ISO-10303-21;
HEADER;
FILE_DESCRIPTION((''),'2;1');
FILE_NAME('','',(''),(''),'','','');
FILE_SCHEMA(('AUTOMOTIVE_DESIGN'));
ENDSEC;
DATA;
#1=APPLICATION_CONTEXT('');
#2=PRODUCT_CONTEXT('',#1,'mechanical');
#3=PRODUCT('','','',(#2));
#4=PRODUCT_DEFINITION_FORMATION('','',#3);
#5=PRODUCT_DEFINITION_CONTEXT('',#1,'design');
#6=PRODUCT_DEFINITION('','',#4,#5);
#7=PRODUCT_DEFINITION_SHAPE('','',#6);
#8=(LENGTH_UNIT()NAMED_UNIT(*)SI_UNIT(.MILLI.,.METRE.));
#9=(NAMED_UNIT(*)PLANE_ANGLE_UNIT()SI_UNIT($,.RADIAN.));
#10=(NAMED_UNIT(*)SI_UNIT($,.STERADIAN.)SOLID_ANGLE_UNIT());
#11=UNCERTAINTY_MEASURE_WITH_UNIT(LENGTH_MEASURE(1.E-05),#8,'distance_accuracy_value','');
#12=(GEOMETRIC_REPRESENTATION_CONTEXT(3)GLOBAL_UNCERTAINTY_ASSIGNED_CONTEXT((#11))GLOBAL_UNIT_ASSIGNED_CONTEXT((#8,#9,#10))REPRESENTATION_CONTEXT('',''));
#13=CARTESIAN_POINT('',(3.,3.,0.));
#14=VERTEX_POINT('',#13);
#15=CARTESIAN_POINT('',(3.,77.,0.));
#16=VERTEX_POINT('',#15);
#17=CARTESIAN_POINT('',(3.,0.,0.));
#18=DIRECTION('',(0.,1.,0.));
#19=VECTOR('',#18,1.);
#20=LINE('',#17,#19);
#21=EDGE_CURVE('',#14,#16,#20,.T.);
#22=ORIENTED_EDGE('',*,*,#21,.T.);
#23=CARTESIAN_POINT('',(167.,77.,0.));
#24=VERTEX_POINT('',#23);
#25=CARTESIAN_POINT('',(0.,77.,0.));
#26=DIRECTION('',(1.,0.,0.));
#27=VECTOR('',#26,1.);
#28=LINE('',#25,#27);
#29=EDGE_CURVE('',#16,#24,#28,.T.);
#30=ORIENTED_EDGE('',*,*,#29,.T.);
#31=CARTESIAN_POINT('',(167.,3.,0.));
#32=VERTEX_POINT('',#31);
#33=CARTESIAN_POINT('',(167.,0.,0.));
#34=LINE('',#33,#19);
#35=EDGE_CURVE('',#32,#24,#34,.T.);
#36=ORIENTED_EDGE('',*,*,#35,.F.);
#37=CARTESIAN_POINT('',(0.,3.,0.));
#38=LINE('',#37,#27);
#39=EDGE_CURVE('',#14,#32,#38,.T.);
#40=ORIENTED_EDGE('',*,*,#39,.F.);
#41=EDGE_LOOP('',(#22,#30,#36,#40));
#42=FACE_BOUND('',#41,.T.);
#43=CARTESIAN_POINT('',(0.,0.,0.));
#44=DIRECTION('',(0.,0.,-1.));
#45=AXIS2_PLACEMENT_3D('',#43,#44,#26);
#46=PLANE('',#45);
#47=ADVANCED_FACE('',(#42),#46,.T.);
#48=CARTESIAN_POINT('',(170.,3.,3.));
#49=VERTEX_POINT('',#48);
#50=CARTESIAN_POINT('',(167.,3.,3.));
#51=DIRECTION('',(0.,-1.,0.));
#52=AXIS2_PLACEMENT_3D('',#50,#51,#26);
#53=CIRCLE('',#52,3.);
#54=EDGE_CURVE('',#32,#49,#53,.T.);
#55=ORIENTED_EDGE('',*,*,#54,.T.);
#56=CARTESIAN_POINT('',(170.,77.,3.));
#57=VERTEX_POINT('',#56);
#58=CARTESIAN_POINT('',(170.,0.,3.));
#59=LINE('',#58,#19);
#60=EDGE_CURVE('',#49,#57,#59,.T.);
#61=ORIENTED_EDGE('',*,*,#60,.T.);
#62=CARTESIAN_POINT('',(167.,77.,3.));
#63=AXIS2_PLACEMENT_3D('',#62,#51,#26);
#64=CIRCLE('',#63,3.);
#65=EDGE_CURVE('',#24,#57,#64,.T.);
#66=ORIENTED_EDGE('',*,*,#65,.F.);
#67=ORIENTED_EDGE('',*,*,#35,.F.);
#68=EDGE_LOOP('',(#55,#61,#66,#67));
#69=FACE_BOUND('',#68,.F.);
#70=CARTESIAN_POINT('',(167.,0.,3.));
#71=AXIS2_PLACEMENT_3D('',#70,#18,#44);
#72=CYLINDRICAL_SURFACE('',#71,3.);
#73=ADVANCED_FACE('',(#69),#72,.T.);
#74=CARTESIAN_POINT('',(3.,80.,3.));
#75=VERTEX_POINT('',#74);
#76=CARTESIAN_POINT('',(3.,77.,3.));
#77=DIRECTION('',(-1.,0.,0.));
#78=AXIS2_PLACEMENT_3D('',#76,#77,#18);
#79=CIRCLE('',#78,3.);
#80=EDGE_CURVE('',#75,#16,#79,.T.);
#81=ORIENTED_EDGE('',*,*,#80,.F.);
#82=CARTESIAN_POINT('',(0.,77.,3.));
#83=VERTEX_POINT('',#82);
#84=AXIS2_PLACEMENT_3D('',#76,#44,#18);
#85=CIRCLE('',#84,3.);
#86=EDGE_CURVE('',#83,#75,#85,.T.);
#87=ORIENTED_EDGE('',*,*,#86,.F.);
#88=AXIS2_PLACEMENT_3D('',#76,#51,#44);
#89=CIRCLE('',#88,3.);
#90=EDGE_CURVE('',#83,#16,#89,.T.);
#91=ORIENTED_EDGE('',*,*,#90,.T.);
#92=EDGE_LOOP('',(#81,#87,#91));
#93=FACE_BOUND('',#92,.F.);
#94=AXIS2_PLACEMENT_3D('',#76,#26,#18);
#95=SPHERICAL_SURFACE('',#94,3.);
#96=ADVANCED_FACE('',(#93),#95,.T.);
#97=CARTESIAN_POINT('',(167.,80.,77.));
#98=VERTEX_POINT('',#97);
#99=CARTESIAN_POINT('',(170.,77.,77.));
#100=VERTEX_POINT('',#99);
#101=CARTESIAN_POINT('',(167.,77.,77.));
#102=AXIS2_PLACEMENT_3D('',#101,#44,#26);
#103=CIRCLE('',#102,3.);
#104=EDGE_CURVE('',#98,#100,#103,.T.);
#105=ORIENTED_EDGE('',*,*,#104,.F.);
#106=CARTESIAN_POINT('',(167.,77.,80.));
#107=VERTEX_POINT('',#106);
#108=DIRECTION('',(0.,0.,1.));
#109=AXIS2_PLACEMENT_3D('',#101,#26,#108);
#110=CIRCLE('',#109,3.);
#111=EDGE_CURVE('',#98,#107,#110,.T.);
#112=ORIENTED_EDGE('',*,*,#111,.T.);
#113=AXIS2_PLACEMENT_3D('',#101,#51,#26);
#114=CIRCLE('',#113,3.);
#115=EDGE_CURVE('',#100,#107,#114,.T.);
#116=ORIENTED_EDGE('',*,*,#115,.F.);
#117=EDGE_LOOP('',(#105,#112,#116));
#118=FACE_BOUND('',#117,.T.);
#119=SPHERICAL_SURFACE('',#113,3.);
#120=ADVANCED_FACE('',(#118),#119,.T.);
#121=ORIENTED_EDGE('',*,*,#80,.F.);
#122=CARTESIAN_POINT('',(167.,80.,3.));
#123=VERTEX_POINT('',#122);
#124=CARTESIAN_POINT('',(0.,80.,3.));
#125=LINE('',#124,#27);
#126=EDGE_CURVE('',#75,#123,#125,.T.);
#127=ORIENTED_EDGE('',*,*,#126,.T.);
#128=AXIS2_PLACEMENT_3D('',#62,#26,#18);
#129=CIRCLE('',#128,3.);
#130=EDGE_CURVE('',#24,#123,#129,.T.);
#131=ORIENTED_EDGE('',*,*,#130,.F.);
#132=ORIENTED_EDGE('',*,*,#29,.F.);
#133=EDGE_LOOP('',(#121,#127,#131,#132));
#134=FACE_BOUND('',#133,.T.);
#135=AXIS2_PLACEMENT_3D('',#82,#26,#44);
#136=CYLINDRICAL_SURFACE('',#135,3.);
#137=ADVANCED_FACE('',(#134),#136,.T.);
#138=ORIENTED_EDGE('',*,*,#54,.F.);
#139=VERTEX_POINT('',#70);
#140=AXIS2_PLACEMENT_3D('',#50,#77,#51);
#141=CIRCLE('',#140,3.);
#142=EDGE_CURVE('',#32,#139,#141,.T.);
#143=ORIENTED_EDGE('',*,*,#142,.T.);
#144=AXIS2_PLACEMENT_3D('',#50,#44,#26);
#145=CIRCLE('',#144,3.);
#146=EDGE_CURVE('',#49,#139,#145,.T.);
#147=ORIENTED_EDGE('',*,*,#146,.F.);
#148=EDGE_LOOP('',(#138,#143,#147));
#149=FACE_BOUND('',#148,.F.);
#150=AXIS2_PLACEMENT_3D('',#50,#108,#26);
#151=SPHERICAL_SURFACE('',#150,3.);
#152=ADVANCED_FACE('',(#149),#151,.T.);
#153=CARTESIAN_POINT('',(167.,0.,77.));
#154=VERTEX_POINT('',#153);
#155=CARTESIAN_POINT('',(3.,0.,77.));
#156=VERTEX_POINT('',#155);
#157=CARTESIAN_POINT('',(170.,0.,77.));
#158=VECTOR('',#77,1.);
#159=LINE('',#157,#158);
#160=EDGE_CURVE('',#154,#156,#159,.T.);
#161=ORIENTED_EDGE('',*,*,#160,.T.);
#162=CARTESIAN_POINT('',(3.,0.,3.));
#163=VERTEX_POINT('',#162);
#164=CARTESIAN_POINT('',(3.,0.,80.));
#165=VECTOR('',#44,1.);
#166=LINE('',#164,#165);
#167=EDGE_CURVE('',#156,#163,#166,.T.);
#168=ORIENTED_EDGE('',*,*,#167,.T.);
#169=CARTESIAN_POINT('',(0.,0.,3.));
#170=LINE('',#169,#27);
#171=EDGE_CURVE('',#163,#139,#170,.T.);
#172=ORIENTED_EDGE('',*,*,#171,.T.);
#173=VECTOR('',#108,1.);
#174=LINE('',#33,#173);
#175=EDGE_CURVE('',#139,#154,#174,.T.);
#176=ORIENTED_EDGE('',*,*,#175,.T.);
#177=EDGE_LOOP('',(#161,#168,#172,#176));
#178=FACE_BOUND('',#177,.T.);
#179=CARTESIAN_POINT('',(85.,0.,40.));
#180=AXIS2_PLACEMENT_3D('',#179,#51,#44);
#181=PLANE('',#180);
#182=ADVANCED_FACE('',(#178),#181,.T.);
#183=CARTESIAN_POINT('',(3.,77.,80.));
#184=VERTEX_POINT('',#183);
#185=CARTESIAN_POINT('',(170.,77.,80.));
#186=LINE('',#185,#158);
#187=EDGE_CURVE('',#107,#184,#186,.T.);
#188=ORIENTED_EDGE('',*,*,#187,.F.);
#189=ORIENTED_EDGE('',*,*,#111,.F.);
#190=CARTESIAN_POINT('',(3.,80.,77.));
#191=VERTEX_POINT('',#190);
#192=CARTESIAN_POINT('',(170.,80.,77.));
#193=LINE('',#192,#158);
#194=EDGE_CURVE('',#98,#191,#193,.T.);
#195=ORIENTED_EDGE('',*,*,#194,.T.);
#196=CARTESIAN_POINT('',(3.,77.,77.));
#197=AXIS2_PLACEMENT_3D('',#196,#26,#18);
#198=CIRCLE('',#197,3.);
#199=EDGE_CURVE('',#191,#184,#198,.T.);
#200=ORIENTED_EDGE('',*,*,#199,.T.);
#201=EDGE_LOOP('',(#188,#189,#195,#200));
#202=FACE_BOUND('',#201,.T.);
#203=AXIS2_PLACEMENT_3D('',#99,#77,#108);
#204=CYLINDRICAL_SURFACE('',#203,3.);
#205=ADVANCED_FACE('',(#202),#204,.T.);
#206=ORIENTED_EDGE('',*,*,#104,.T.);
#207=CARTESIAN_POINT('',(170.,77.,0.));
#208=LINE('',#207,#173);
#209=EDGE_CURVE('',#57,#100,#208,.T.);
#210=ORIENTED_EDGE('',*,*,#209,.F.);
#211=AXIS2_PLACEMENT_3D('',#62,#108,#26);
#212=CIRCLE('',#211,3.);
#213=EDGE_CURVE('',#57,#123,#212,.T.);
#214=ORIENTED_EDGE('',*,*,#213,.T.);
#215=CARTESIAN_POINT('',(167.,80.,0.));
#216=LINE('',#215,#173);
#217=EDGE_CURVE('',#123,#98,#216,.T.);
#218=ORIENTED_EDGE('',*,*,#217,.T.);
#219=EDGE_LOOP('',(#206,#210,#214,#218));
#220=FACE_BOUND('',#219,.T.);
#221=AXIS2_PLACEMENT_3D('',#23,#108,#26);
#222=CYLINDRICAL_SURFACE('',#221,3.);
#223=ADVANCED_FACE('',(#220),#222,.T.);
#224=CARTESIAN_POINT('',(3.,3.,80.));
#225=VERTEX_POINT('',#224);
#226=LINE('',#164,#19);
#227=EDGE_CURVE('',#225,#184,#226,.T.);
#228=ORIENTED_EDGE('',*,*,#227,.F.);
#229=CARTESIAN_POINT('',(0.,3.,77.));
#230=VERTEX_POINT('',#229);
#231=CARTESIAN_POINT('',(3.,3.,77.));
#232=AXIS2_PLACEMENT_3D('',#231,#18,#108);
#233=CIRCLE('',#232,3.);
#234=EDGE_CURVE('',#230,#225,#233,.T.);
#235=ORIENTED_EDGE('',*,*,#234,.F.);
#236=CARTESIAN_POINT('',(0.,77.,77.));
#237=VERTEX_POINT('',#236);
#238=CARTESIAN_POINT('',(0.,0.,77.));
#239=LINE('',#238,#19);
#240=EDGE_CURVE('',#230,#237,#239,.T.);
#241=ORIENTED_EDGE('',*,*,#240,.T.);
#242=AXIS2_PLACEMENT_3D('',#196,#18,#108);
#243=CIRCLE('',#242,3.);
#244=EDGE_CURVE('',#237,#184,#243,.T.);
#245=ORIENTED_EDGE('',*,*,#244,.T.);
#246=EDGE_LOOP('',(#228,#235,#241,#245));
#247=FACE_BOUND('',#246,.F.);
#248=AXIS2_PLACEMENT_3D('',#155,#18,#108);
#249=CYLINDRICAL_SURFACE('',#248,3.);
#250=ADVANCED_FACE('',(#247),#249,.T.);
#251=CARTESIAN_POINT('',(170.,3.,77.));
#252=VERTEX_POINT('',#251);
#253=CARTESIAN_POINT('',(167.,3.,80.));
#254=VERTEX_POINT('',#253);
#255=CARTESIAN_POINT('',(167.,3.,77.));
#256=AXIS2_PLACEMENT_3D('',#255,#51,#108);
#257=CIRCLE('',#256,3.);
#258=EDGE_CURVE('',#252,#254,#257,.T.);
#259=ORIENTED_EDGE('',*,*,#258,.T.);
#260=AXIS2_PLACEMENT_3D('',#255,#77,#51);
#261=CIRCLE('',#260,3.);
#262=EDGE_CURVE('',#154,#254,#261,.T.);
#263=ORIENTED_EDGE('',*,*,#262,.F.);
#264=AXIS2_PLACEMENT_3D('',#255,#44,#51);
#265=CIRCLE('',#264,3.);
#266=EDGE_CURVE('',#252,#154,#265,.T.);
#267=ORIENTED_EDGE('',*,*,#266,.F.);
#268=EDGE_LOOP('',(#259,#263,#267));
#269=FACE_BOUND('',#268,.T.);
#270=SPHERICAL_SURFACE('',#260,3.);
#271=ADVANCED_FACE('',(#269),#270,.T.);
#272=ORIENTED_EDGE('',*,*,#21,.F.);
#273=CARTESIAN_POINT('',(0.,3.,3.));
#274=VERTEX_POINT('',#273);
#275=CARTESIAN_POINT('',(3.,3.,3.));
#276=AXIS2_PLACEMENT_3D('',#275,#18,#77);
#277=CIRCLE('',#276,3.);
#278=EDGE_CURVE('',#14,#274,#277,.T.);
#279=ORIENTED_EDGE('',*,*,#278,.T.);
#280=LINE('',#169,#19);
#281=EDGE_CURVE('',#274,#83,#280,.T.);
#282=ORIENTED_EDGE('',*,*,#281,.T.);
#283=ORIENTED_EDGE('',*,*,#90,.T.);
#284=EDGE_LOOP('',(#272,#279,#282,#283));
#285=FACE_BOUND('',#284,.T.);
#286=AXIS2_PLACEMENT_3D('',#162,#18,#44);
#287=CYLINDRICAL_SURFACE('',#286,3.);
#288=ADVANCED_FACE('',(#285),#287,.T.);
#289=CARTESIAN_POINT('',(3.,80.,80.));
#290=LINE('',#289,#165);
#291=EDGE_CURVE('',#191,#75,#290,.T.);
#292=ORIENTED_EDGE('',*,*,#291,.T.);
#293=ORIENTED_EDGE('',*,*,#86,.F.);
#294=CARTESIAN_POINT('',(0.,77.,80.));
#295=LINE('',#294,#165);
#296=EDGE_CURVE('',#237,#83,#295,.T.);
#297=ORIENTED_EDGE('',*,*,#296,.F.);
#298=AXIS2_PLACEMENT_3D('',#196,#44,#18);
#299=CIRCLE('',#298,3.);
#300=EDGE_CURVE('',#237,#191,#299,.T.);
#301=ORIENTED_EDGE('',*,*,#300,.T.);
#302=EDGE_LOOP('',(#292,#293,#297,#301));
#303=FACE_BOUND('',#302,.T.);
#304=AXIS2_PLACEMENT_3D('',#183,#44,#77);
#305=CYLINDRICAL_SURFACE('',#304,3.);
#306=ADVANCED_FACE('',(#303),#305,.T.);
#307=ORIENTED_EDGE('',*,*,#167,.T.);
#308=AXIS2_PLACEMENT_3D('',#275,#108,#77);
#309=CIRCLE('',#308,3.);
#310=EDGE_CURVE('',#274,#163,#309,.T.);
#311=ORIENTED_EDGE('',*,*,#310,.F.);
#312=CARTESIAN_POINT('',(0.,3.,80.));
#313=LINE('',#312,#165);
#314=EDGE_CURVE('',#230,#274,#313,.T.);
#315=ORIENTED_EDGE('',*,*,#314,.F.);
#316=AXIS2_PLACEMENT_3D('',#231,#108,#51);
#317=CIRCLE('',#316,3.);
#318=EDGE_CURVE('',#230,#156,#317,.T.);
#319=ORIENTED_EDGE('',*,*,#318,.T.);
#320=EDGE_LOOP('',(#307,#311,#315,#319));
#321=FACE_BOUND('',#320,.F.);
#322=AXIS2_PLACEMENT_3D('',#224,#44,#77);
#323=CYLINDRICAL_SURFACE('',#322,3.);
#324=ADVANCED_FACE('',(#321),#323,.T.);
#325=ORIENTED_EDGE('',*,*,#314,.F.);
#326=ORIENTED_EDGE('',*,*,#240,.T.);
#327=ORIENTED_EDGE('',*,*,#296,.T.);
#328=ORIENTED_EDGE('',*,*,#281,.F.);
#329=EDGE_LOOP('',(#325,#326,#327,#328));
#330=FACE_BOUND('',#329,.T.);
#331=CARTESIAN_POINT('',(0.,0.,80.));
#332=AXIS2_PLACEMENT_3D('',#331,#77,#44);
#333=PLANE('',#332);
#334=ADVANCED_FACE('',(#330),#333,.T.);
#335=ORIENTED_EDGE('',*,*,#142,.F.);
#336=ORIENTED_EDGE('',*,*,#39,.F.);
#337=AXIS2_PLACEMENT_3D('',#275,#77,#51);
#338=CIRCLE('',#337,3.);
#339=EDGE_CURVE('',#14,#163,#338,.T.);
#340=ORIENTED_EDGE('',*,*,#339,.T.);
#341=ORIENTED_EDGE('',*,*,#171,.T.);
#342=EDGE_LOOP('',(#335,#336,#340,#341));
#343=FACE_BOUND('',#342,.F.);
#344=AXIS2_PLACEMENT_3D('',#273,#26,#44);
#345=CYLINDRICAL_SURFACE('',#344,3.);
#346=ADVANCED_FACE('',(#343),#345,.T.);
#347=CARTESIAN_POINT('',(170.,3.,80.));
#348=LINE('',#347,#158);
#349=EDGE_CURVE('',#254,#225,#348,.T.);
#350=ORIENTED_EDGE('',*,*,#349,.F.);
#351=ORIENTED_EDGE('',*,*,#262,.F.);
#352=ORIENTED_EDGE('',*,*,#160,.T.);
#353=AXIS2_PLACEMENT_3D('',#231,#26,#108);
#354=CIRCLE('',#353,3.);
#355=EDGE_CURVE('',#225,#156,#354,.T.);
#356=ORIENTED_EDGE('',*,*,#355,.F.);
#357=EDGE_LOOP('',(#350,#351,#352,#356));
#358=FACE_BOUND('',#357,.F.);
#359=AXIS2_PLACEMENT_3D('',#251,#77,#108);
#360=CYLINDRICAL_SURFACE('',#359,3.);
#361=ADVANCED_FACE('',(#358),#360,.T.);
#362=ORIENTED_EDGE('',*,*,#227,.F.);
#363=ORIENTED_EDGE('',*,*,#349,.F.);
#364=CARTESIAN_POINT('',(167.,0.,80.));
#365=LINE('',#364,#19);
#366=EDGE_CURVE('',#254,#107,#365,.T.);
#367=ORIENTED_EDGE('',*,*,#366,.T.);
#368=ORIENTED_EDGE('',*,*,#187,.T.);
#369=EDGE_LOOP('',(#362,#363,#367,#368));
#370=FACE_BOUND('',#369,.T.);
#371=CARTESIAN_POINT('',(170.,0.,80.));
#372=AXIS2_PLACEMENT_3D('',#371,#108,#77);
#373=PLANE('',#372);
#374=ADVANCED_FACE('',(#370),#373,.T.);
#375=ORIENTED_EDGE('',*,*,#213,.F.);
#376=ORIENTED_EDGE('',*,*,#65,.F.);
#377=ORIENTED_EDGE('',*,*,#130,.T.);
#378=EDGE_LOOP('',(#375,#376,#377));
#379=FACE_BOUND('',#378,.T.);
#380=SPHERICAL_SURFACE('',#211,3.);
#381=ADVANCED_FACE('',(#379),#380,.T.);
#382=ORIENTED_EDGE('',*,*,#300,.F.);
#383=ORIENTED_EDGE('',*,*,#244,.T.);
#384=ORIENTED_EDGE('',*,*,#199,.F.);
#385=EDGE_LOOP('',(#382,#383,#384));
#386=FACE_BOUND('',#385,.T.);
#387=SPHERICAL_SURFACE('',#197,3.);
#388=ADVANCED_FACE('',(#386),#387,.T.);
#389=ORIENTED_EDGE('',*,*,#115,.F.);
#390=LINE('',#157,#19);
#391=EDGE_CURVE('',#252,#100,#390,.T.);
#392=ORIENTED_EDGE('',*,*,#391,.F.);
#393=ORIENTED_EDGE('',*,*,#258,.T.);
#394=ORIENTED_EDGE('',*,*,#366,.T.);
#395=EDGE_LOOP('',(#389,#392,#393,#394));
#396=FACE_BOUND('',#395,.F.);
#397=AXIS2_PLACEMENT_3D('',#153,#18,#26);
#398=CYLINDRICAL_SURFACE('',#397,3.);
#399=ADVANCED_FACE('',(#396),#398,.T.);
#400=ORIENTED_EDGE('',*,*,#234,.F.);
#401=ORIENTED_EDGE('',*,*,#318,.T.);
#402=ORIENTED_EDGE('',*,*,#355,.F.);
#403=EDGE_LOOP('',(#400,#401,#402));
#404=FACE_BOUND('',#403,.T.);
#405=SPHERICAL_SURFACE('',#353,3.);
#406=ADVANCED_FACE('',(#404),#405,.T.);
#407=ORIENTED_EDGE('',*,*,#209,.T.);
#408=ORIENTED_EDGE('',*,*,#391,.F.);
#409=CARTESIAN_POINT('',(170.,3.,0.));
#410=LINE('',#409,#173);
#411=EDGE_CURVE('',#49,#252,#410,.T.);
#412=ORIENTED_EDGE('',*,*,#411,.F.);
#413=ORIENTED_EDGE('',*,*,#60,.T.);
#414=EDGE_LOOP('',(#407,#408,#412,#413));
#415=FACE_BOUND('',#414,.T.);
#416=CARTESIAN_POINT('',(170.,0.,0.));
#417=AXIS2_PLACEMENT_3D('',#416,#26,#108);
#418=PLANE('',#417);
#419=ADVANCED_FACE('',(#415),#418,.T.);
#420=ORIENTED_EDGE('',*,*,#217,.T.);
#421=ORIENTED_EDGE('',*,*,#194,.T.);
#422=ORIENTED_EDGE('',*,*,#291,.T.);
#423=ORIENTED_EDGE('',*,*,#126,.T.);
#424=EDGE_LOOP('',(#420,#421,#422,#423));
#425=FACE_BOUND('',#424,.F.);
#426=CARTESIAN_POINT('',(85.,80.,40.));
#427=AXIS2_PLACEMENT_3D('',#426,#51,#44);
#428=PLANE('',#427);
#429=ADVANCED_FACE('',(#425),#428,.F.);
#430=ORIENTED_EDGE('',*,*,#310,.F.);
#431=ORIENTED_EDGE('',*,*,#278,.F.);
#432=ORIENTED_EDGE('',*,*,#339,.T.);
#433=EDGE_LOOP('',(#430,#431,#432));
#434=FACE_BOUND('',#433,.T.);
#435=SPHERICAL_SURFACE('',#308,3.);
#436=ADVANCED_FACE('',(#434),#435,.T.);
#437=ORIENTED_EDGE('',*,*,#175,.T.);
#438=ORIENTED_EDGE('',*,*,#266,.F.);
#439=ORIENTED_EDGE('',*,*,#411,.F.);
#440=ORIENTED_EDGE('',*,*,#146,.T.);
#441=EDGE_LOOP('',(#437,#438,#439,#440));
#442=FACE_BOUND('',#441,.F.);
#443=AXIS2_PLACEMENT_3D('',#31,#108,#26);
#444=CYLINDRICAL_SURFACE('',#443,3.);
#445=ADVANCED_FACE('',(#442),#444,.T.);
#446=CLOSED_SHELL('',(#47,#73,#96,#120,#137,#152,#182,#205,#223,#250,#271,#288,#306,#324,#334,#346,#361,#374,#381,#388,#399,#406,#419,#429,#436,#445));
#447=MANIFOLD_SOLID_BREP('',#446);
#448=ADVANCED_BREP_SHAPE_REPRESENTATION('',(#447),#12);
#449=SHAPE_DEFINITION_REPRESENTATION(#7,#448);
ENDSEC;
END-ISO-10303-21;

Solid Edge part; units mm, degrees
sketch "Sketch1" plane through (0, 0, 0) normal (0, -1, 0) x (1, 0, 0)
  line L0 (0, 0) -> (170, 0)
  line L1 (170, 0) -> (170, 80)
  line L2 (170, 80) -> (0, 80)
  line L3 (0, 80) -> (0, 0)
extrude "Protrusion1" add sketch "Sketch1" against normal blind 80
fillet "Redondo_1" radius 3 12 edges at (85, 0, 80) (170, 0, 40) (170, 40, 80) (170, 80, 40) (170, 40, 0) (85, 80, 80) (85, 80, 0) (0, 80, 40) (0, 40, 80) (0, 0, 40) (0, 40, 0) (85, 0, 0)
properties material "PVC"
